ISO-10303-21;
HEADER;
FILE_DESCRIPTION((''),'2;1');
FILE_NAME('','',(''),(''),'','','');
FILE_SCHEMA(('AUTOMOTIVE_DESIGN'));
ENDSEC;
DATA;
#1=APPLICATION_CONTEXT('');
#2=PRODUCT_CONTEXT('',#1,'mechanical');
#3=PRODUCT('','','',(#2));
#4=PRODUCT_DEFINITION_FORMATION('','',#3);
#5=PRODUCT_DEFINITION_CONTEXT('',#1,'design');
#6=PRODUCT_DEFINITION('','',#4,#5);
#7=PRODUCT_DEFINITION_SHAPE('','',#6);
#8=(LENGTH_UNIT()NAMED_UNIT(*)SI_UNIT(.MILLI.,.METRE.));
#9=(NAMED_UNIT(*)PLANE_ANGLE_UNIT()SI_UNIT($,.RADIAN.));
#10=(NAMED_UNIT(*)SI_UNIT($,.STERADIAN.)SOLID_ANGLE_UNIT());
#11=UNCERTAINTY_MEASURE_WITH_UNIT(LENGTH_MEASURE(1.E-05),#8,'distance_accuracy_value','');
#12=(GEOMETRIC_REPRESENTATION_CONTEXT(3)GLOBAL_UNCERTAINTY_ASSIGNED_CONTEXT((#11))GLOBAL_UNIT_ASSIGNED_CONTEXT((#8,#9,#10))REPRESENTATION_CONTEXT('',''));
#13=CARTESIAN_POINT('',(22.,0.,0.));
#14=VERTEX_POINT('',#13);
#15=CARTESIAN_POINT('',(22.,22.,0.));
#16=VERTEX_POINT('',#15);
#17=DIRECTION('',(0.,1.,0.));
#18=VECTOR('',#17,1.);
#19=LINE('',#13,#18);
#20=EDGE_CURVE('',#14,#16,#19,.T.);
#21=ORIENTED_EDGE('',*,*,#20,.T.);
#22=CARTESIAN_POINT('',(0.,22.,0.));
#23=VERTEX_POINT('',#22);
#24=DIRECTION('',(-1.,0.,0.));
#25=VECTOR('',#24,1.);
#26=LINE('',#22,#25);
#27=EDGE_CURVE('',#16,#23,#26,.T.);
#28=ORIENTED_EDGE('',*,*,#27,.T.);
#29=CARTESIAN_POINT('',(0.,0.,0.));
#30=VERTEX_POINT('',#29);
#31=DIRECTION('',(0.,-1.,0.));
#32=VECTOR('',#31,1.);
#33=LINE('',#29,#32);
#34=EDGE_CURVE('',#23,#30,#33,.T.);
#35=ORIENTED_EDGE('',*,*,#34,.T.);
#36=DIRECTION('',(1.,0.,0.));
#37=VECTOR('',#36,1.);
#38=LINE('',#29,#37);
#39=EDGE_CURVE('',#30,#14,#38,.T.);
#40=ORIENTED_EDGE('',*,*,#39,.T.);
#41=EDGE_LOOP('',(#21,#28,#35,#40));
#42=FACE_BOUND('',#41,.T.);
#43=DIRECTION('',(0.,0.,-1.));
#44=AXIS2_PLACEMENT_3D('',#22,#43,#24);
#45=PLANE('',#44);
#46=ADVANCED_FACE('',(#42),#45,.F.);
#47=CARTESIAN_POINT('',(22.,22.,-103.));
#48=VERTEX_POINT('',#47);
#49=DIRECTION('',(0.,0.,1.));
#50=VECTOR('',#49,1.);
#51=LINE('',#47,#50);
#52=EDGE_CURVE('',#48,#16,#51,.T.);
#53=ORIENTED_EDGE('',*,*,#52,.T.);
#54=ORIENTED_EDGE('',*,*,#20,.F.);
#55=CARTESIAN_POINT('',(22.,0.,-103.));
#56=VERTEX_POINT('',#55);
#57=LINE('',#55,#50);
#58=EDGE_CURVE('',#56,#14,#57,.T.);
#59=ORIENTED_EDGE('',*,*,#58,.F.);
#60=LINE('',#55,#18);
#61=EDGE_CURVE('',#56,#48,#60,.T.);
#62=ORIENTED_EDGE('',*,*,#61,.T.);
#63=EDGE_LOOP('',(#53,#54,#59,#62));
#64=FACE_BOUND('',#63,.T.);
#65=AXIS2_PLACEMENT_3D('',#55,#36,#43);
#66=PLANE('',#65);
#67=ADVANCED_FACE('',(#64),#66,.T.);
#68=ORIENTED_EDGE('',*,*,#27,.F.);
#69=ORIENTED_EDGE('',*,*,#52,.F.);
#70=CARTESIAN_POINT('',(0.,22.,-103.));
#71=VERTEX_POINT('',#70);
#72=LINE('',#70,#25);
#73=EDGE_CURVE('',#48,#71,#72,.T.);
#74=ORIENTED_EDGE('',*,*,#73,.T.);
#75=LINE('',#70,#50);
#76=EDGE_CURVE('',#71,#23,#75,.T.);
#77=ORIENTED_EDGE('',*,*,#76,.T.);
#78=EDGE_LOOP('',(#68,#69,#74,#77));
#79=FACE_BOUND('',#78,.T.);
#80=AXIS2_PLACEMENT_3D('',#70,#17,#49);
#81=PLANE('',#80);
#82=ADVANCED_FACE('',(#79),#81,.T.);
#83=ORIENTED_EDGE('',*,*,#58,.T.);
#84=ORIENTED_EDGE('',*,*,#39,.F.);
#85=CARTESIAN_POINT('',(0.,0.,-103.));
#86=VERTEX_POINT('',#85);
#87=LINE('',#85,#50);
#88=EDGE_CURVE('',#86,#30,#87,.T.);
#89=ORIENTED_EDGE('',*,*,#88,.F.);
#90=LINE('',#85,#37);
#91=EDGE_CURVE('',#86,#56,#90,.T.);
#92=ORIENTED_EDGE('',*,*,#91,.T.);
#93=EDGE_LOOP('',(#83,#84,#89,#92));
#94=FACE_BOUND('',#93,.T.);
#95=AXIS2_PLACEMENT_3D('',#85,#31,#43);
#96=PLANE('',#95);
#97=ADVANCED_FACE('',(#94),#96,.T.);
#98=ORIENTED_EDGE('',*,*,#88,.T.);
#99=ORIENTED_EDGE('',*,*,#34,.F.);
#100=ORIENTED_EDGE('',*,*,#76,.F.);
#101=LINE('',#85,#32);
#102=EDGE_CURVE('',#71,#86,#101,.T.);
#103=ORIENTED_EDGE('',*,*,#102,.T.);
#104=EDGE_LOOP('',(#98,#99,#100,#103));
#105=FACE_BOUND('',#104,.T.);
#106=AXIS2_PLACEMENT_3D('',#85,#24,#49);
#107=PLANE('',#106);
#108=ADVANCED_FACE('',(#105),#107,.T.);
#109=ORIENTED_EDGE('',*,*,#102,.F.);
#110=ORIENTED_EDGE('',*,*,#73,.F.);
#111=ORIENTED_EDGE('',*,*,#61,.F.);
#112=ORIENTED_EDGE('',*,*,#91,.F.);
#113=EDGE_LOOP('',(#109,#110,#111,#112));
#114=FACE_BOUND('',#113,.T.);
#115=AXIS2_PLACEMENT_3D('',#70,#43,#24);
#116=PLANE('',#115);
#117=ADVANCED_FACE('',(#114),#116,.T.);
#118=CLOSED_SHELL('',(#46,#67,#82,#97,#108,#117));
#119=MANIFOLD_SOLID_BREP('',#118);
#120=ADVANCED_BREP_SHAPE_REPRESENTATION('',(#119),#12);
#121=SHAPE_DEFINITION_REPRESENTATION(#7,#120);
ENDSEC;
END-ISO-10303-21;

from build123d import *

# Parameters (mm, degrees)
ESQUISSE1_W      = 22
ESQUISSE1_H      = 22
EXTRUSION1_DEPTH = 103


with BuildPart() as part:
    # Esquisse1 → Extrusion1 (new body)
    with BuildSketch(Plane.XY):
        with Locations((11, 11)):
            Rectangle(ESQUISSE1_W, ESQUISSE1_H)
    extrude(amount=-EXTRUSION1_DEPTH)


solid = part.part
